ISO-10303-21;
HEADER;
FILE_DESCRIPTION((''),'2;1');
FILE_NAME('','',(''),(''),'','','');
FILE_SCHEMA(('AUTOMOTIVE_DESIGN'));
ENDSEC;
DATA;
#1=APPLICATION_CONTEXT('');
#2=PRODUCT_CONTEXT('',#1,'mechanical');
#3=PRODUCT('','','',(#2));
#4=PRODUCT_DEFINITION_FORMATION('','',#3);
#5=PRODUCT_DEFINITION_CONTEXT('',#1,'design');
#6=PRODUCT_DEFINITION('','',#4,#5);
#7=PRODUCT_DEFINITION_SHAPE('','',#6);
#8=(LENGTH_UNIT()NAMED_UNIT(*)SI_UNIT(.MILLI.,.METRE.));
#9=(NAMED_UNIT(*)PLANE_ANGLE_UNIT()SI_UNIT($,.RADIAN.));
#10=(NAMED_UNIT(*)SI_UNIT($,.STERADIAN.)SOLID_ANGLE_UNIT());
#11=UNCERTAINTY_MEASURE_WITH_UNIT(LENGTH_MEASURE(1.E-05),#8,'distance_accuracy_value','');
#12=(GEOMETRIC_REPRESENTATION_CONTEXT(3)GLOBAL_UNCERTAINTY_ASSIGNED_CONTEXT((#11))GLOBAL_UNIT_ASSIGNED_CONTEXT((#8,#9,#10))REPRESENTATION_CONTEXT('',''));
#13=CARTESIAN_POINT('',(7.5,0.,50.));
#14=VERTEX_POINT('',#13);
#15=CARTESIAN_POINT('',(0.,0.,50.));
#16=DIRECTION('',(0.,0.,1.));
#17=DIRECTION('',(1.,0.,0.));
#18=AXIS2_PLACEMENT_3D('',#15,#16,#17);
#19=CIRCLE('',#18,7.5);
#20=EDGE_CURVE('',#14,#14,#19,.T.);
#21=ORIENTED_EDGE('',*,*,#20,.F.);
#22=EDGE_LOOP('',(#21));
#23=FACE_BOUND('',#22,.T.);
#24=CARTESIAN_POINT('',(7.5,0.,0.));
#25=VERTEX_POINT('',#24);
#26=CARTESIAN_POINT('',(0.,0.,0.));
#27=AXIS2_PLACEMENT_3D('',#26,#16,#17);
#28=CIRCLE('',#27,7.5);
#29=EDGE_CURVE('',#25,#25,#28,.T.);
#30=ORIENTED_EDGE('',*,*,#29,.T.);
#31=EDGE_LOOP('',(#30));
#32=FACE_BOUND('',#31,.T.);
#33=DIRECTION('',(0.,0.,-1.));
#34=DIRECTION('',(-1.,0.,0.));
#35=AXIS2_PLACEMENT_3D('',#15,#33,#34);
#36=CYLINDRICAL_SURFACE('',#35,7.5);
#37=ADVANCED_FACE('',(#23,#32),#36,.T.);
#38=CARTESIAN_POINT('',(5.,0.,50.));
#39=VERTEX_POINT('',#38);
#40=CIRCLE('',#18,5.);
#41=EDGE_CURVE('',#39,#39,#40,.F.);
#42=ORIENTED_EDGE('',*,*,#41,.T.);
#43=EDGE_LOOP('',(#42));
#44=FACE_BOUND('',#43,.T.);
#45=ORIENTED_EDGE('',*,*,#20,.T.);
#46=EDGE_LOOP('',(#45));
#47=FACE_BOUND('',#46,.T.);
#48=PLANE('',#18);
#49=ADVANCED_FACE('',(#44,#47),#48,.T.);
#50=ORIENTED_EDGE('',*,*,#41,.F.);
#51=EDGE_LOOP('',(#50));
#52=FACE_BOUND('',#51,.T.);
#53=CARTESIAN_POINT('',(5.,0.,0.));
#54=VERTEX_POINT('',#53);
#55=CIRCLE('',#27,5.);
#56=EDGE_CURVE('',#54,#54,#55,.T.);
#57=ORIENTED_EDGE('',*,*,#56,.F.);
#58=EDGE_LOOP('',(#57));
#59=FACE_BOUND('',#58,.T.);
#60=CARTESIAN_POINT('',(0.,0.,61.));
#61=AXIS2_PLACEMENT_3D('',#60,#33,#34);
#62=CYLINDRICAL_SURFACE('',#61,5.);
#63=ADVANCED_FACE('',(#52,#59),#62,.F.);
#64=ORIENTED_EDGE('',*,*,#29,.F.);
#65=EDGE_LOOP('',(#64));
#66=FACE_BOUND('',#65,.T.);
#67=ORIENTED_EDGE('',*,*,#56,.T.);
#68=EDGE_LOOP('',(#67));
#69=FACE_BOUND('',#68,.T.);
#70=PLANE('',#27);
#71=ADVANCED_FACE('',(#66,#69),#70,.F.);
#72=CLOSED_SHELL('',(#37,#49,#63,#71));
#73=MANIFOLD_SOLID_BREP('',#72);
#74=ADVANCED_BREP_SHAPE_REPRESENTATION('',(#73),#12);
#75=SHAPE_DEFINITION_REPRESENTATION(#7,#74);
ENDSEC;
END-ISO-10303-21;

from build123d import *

# Parameters (mm, degrees)
SKETCH3_R          = 7.5
SKETCH2_R          = 7.5
SKETCH1_R          = 5
CUT_EXTRUDE1_DEPTH = 61


with BuildPart() as part:
    # Sketch3 → Loft1 section 0
    with BuildSketch(Plane.XY.offset(50)):
        Circle(SKETCH3_R)
    # Sketch2 → Loft1 section 1
    with BuildSketch(Plane.XY):
        Circle(SKETCH2_R)
    loft()

    # Sketch1 → Cut-Extrude1 (cut)
    with BuildSketch(Plane.XY):
        Circle(SKETCH1_R)
    extrude(amount=CUT_EXTRUDE1_DEPTH, mode=Mode.SUBTRACT)


solid = part.part
